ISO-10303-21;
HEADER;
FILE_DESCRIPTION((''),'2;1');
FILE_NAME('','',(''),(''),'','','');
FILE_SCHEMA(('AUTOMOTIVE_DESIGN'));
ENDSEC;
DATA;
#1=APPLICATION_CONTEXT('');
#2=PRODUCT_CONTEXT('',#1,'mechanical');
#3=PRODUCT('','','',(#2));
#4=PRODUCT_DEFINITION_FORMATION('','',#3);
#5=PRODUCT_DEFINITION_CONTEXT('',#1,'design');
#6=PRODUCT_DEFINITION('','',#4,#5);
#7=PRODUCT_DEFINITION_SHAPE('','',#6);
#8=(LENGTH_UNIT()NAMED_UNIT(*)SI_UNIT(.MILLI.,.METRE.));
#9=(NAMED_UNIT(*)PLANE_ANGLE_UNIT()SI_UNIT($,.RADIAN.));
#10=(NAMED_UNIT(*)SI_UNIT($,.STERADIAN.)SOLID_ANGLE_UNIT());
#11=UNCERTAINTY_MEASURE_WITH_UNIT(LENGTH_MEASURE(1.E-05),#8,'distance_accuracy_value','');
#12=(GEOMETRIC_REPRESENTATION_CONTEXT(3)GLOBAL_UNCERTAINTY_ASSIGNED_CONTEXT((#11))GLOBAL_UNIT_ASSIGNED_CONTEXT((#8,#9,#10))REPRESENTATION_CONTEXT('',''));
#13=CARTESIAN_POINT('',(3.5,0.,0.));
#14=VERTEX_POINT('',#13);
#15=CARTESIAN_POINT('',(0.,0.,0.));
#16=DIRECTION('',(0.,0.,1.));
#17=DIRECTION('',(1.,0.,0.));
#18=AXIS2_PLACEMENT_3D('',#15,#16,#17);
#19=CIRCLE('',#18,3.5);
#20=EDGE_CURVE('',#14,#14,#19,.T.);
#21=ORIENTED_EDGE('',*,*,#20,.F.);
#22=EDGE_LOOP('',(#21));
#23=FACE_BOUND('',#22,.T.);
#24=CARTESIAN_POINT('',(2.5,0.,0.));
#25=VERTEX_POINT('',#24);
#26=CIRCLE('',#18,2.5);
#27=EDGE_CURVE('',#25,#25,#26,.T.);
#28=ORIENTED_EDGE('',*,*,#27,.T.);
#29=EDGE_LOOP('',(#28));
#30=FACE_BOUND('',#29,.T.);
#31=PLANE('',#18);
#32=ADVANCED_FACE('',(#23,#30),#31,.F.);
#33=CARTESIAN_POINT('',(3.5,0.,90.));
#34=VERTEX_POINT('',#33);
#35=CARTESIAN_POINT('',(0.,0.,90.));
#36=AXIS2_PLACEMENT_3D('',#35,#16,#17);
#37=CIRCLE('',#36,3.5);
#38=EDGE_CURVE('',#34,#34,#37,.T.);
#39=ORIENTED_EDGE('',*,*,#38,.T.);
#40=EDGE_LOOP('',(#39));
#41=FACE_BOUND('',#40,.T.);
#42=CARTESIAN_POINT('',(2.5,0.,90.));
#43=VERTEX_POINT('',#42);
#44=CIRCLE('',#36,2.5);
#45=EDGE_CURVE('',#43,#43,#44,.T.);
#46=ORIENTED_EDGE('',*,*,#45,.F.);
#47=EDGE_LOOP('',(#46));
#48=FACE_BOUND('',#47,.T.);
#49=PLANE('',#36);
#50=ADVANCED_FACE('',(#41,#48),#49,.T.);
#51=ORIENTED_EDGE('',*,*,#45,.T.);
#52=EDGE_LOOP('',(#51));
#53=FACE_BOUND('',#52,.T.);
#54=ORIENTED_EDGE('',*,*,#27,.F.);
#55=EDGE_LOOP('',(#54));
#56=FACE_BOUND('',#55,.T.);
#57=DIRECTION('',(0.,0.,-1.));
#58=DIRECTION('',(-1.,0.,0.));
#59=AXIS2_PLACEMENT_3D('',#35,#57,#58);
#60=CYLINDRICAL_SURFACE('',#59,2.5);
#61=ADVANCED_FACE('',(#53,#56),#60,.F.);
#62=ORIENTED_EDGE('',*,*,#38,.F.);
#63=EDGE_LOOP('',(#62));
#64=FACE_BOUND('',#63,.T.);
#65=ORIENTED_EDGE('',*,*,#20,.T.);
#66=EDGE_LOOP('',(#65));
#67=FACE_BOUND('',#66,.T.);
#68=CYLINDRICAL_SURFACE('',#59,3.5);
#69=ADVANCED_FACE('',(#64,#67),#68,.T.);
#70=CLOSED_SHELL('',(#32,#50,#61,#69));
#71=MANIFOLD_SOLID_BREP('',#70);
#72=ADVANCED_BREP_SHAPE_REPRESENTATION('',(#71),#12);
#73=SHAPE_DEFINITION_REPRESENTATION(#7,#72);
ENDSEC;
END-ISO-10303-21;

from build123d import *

# Parameters (mm, degrees)
SKETCH1_R           = 3.5
SKETCH1_R_2         = 2.5
BOSS_EXTRUDE1_DEPTH = 90


with BuildPart() as part:
    # Sketch1 → Boss-Extrude1 (new body)
    with BuildSketch(Plane.XY):
        Circle(SKETCH1_R)
        Circle(SKETCH1_R_2, mode=Mode.SUBTRACT)
    extrude(amount=BOSS_EXTRUDE1_DEPTH)


solid = part.part
